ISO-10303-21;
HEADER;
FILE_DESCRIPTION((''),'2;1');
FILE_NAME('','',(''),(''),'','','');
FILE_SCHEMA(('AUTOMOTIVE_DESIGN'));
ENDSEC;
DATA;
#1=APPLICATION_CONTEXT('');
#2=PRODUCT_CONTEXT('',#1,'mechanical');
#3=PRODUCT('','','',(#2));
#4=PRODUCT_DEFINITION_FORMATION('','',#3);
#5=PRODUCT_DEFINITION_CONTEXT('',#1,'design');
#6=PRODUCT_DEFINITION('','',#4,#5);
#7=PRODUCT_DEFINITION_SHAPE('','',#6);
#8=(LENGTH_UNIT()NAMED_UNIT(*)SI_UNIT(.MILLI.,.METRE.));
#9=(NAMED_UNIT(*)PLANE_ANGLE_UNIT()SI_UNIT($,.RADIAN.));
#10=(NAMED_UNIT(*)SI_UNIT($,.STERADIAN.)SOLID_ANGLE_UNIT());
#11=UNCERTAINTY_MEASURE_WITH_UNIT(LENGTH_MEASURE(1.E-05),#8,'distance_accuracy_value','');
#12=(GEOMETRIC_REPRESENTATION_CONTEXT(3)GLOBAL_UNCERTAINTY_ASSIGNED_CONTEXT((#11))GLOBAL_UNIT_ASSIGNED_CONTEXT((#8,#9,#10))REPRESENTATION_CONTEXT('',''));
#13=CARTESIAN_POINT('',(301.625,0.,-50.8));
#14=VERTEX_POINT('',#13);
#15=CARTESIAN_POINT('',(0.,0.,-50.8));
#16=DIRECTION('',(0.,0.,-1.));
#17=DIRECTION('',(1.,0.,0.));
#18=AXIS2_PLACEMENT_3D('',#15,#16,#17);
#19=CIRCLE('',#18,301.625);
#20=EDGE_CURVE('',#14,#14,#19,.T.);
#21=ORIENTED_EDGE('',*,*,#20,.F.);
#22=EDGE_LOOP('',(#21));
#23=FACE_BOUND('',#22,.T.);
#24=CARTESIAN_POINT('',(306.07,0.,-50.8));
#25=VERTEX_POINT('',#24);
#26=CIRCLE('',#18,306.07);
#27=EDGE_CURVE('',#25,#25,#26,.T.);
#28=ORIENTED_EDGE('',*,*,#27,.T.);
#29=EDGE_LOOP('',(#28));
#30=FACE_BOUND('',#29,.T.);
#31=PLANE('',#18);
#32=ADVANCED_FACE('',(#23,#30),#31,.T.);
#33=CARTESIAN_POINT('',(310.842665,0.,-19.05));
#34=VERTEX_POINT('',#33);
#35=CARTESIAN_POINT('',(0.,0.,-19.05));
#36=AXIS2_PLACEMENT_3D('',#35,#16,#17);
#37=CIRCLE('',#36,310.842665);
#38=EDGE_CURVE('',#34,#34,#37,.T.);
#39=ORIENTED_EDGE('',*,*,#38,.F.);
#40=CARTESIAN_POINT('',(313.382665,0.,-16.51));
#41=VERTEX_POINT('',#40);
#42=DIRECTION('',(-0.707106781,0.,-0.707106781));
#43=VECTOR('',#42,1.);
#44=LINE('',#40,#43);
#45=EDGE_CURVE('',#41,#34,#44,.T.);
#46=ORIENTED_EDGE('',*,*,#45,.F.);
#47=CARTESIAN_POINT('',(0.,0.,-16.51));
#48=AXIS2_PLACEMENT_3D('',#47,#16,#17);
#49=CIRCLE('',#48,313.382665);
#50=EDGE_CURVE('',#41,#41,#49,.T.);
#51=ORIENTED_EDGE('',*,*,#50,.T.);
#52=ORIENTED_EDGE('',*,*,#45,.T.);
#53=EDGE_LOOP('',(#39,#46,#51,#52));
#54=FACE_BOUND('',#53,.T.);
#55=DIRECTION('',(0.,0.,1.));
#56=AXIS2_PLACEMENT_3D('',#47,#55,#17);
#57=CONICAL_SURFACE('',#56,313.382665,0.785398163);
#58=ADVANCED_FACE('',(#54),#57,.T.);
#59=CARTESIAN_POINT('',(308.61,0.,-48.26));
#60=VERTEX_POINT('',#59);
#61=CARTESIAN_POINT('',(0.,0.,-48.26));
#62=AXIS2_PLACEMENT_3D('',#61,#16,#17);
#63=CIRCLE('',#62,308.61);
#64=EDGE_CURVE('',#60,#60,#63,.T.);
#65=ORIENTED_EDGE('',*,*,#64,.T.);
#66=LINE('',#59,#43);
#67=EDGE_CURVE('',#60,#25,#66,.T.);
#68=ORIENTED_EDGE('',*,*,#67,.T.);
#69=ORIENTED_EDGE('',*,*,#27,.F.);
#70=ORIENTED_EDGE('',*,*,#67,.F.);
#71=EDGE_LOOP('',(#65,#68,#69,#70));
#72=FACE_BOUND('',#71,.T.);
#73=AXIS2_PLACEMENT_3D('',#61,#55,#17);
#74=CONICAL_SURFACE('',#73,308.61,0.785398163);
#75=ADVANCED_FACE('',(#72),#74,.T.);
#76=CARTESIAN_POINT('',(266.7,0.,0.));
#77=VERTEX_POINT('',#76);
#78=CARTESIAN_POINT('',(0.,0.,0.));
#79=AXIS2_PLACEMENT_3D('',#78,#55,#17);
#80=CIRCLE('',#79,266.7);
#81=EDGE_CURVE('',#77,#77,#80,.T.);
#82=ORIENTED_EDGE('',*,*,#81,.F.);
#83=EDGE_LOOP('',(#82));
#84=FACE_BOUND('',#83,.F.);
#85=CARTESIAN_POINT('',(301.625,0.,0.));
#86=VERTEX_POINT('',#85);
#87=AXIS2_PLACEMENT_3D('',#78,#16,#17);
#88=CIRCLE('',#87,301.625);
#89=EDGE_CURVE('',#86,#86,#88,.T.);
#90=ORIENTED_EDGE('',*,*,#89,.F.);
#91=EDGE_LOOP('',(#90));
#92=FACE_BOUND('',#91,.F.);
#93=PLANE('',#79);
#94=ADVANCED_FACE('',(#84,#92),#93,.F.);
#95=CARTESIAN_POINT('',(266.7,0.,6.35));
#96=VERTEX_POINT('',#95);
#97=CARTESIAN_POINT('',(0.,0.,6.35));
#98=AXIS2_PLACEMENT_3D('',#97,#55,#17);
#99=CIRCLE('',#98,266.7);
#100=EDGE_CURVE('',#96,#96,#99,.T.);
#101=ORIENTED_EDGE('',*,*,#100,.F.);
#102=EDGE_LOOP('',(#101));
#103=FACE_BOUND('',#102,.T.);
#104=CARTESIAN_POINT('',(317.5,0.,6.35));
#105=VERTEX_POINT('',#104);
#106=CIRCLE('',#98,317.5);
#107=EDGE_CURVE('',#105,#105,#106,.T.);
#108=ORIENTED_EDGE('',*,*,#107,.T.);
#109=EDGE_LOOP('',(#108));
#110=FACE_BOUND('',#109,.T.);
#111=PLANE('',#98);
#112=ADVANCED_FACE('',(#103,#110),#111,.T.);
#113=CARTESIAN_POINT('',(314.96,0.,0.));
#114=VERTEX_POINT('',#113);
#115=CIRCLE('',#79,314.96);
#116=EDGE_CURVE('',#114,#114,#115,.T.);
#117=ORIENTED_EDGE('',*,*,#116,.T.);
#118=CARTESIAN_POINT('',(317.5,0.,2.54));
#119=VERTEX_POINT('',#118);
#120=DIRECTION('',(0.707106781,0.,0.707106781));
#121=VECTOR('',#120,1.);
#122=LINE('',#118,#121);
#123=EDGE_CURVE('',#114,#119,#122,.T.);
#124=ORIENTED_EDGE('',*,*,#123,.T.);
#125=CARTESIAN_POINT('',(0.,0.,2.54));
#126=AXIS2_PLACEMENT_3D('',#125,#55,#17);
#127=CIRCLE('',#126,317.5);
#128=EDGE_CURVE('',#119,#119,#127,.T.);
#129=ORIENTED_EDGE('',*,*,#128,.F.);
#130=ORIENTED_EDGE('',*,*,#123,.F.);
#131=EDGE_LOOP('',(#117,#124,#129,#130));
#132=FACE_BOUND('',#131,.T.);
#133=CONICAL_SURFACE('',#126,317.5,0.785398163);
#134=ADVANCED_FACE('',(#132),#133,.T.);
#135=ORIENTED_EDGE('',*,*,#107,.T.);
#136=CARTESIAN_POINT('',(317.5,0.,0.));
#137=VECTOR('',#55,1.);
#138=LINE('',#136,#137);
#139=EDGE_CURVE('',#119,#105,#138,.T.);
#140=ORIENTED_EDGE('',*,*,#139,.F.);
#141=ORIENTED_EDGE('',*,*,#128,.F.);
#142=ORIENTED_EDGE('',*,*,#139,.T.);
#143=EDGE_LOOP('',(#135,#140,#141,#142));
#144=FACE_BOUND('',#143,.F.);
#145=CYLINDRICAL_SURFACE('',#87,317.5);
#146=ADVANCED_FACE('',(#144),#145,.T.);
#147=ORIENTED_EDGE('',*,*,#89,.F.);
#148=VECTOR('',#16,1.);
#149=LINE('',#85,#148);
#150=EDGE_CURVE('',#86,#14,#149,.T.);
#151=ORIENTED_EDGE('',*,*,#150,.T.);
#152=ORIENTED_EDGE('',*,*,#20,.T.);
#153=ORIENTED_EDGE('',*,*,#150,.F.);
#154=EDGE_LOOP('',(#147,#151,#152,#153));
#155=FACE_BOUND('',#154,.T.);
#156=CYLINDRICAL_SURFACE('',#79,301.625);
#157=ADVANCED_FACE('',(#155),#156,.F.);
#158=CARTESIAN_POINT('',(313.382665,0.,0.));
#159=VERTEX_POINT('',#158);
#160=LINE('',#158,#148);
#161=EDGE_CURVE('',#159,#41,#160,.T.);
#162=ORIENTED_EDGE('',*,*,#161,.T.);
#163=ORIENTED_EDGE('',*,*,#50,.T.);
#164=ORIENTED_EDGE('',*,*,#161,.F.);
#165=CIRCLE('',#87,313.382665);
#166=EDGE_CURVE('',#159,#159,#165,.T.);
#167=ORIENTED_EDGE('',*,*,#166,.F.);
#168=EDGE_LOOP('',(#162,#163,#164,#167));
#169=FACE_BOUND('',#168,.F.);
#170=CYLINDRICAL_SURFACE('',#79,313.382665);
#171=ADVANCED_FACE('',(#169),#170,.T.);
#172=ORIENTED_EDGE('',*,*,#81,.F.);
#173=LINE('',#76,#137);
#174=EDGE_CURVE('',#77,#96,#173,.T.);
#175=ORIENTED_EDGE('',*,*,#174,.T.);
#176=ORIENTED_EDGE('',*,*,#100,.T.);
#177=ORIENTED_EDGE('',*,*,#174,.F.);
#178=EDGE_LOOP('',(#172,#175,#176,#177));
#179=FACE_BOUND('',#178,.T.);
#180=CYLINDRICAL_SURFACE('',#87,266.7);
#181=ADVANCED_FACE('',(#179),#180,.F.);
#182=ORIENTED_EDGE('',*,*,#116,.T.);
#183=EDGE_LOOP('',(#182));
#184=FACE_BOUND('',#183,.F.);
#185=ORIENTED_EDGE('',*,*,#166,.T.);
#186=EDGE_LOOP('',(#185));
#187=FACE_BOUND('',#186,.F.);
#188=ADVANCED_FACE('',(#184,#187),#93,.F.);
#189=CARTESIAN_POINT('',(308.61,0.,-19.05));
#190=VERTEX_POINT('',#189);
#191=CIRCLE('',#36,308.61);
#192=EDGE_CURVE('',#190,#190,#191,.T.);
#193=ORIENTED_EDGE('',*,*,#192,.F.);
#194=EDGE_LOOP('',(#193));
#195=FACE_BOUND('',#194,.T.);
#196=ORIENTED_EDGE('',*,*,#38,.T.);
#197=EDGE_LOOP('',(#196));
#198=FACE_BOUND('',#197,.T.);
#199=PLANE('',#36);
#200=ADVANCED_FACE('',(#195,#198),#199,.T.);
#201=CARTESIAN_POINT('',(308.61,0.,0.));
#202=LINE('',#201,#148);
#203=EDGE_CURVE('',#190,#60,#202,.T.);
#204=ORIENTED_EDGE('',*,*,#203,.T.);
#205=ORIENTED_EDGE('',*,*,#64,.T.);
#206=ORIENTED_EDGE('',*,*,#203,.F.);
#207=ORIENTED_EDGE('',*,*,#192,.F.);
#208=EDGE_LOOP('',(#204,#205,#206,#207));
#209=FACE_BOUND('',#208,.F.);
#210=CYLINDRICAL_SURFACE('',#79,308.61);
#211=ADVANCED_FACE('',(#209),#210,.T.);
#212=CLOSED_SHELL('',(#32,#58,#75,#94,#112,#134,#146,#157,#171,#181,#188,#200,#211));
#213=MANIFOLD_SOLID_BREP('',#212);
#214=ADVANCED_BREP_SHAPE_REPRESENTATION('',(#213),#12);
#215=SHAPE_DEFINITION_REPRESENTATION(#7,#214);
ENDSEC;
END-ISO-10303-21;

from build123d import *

# Parameters (mm, degrees)
F0_R     = 317.5
F0_R_2   = 266.7
F1_DEPTH = 6.35
F2_R     = 308.61
F2_R_2   = 301.625
F3_DEPTH = 50.8
F2_R_3   = 313.382665
F4_DEPTH = 19.05
F5_SIZE  = 2.54


with BuildPart() as f1:
    # F0 (on Top) → F1 (new body)
    with BuildSketch(Plane.XY):
        Circle(F0_R)
        Circle(F0_R_2, mode=Mode.SUBTRACT)
    extrude(amount=F1_DEPTH)

    # F2 (on face) → F3 (join)
    with BuildSketch(Plane(origin=(0, 0, 0), x_dir=(1, 0, 0), z_dir=(0, 0, -1))):
        Circle(F2_R)
        Circle(F2_R_2, mode=Mode.SUBTRACT)
    extrude(amount=F3_DEPTH)

    # F2 (on face) → F4 (join)
    with BuildSketch(Plane(origin=(0, 0, 0), x_dir=(1, 0, 0), z_dir=(0, 0, -1))):
        Circle(F2_R_3)
        Circle(F2_R, mode=Mode.SUBTRACT)
    extrude(amount=F4_DEPTH)

    # F5
    f5_edges = [f1.edges().sort_by_distance(p)[0] for p in [
        (-313.382665, 0, -19.05),
        (-317.5, 0, 0),
        (-308.61, 0, -50.8),
    ]]
    chamfer(f5_edges, length=F5_SIZE)


solid = f1.part
